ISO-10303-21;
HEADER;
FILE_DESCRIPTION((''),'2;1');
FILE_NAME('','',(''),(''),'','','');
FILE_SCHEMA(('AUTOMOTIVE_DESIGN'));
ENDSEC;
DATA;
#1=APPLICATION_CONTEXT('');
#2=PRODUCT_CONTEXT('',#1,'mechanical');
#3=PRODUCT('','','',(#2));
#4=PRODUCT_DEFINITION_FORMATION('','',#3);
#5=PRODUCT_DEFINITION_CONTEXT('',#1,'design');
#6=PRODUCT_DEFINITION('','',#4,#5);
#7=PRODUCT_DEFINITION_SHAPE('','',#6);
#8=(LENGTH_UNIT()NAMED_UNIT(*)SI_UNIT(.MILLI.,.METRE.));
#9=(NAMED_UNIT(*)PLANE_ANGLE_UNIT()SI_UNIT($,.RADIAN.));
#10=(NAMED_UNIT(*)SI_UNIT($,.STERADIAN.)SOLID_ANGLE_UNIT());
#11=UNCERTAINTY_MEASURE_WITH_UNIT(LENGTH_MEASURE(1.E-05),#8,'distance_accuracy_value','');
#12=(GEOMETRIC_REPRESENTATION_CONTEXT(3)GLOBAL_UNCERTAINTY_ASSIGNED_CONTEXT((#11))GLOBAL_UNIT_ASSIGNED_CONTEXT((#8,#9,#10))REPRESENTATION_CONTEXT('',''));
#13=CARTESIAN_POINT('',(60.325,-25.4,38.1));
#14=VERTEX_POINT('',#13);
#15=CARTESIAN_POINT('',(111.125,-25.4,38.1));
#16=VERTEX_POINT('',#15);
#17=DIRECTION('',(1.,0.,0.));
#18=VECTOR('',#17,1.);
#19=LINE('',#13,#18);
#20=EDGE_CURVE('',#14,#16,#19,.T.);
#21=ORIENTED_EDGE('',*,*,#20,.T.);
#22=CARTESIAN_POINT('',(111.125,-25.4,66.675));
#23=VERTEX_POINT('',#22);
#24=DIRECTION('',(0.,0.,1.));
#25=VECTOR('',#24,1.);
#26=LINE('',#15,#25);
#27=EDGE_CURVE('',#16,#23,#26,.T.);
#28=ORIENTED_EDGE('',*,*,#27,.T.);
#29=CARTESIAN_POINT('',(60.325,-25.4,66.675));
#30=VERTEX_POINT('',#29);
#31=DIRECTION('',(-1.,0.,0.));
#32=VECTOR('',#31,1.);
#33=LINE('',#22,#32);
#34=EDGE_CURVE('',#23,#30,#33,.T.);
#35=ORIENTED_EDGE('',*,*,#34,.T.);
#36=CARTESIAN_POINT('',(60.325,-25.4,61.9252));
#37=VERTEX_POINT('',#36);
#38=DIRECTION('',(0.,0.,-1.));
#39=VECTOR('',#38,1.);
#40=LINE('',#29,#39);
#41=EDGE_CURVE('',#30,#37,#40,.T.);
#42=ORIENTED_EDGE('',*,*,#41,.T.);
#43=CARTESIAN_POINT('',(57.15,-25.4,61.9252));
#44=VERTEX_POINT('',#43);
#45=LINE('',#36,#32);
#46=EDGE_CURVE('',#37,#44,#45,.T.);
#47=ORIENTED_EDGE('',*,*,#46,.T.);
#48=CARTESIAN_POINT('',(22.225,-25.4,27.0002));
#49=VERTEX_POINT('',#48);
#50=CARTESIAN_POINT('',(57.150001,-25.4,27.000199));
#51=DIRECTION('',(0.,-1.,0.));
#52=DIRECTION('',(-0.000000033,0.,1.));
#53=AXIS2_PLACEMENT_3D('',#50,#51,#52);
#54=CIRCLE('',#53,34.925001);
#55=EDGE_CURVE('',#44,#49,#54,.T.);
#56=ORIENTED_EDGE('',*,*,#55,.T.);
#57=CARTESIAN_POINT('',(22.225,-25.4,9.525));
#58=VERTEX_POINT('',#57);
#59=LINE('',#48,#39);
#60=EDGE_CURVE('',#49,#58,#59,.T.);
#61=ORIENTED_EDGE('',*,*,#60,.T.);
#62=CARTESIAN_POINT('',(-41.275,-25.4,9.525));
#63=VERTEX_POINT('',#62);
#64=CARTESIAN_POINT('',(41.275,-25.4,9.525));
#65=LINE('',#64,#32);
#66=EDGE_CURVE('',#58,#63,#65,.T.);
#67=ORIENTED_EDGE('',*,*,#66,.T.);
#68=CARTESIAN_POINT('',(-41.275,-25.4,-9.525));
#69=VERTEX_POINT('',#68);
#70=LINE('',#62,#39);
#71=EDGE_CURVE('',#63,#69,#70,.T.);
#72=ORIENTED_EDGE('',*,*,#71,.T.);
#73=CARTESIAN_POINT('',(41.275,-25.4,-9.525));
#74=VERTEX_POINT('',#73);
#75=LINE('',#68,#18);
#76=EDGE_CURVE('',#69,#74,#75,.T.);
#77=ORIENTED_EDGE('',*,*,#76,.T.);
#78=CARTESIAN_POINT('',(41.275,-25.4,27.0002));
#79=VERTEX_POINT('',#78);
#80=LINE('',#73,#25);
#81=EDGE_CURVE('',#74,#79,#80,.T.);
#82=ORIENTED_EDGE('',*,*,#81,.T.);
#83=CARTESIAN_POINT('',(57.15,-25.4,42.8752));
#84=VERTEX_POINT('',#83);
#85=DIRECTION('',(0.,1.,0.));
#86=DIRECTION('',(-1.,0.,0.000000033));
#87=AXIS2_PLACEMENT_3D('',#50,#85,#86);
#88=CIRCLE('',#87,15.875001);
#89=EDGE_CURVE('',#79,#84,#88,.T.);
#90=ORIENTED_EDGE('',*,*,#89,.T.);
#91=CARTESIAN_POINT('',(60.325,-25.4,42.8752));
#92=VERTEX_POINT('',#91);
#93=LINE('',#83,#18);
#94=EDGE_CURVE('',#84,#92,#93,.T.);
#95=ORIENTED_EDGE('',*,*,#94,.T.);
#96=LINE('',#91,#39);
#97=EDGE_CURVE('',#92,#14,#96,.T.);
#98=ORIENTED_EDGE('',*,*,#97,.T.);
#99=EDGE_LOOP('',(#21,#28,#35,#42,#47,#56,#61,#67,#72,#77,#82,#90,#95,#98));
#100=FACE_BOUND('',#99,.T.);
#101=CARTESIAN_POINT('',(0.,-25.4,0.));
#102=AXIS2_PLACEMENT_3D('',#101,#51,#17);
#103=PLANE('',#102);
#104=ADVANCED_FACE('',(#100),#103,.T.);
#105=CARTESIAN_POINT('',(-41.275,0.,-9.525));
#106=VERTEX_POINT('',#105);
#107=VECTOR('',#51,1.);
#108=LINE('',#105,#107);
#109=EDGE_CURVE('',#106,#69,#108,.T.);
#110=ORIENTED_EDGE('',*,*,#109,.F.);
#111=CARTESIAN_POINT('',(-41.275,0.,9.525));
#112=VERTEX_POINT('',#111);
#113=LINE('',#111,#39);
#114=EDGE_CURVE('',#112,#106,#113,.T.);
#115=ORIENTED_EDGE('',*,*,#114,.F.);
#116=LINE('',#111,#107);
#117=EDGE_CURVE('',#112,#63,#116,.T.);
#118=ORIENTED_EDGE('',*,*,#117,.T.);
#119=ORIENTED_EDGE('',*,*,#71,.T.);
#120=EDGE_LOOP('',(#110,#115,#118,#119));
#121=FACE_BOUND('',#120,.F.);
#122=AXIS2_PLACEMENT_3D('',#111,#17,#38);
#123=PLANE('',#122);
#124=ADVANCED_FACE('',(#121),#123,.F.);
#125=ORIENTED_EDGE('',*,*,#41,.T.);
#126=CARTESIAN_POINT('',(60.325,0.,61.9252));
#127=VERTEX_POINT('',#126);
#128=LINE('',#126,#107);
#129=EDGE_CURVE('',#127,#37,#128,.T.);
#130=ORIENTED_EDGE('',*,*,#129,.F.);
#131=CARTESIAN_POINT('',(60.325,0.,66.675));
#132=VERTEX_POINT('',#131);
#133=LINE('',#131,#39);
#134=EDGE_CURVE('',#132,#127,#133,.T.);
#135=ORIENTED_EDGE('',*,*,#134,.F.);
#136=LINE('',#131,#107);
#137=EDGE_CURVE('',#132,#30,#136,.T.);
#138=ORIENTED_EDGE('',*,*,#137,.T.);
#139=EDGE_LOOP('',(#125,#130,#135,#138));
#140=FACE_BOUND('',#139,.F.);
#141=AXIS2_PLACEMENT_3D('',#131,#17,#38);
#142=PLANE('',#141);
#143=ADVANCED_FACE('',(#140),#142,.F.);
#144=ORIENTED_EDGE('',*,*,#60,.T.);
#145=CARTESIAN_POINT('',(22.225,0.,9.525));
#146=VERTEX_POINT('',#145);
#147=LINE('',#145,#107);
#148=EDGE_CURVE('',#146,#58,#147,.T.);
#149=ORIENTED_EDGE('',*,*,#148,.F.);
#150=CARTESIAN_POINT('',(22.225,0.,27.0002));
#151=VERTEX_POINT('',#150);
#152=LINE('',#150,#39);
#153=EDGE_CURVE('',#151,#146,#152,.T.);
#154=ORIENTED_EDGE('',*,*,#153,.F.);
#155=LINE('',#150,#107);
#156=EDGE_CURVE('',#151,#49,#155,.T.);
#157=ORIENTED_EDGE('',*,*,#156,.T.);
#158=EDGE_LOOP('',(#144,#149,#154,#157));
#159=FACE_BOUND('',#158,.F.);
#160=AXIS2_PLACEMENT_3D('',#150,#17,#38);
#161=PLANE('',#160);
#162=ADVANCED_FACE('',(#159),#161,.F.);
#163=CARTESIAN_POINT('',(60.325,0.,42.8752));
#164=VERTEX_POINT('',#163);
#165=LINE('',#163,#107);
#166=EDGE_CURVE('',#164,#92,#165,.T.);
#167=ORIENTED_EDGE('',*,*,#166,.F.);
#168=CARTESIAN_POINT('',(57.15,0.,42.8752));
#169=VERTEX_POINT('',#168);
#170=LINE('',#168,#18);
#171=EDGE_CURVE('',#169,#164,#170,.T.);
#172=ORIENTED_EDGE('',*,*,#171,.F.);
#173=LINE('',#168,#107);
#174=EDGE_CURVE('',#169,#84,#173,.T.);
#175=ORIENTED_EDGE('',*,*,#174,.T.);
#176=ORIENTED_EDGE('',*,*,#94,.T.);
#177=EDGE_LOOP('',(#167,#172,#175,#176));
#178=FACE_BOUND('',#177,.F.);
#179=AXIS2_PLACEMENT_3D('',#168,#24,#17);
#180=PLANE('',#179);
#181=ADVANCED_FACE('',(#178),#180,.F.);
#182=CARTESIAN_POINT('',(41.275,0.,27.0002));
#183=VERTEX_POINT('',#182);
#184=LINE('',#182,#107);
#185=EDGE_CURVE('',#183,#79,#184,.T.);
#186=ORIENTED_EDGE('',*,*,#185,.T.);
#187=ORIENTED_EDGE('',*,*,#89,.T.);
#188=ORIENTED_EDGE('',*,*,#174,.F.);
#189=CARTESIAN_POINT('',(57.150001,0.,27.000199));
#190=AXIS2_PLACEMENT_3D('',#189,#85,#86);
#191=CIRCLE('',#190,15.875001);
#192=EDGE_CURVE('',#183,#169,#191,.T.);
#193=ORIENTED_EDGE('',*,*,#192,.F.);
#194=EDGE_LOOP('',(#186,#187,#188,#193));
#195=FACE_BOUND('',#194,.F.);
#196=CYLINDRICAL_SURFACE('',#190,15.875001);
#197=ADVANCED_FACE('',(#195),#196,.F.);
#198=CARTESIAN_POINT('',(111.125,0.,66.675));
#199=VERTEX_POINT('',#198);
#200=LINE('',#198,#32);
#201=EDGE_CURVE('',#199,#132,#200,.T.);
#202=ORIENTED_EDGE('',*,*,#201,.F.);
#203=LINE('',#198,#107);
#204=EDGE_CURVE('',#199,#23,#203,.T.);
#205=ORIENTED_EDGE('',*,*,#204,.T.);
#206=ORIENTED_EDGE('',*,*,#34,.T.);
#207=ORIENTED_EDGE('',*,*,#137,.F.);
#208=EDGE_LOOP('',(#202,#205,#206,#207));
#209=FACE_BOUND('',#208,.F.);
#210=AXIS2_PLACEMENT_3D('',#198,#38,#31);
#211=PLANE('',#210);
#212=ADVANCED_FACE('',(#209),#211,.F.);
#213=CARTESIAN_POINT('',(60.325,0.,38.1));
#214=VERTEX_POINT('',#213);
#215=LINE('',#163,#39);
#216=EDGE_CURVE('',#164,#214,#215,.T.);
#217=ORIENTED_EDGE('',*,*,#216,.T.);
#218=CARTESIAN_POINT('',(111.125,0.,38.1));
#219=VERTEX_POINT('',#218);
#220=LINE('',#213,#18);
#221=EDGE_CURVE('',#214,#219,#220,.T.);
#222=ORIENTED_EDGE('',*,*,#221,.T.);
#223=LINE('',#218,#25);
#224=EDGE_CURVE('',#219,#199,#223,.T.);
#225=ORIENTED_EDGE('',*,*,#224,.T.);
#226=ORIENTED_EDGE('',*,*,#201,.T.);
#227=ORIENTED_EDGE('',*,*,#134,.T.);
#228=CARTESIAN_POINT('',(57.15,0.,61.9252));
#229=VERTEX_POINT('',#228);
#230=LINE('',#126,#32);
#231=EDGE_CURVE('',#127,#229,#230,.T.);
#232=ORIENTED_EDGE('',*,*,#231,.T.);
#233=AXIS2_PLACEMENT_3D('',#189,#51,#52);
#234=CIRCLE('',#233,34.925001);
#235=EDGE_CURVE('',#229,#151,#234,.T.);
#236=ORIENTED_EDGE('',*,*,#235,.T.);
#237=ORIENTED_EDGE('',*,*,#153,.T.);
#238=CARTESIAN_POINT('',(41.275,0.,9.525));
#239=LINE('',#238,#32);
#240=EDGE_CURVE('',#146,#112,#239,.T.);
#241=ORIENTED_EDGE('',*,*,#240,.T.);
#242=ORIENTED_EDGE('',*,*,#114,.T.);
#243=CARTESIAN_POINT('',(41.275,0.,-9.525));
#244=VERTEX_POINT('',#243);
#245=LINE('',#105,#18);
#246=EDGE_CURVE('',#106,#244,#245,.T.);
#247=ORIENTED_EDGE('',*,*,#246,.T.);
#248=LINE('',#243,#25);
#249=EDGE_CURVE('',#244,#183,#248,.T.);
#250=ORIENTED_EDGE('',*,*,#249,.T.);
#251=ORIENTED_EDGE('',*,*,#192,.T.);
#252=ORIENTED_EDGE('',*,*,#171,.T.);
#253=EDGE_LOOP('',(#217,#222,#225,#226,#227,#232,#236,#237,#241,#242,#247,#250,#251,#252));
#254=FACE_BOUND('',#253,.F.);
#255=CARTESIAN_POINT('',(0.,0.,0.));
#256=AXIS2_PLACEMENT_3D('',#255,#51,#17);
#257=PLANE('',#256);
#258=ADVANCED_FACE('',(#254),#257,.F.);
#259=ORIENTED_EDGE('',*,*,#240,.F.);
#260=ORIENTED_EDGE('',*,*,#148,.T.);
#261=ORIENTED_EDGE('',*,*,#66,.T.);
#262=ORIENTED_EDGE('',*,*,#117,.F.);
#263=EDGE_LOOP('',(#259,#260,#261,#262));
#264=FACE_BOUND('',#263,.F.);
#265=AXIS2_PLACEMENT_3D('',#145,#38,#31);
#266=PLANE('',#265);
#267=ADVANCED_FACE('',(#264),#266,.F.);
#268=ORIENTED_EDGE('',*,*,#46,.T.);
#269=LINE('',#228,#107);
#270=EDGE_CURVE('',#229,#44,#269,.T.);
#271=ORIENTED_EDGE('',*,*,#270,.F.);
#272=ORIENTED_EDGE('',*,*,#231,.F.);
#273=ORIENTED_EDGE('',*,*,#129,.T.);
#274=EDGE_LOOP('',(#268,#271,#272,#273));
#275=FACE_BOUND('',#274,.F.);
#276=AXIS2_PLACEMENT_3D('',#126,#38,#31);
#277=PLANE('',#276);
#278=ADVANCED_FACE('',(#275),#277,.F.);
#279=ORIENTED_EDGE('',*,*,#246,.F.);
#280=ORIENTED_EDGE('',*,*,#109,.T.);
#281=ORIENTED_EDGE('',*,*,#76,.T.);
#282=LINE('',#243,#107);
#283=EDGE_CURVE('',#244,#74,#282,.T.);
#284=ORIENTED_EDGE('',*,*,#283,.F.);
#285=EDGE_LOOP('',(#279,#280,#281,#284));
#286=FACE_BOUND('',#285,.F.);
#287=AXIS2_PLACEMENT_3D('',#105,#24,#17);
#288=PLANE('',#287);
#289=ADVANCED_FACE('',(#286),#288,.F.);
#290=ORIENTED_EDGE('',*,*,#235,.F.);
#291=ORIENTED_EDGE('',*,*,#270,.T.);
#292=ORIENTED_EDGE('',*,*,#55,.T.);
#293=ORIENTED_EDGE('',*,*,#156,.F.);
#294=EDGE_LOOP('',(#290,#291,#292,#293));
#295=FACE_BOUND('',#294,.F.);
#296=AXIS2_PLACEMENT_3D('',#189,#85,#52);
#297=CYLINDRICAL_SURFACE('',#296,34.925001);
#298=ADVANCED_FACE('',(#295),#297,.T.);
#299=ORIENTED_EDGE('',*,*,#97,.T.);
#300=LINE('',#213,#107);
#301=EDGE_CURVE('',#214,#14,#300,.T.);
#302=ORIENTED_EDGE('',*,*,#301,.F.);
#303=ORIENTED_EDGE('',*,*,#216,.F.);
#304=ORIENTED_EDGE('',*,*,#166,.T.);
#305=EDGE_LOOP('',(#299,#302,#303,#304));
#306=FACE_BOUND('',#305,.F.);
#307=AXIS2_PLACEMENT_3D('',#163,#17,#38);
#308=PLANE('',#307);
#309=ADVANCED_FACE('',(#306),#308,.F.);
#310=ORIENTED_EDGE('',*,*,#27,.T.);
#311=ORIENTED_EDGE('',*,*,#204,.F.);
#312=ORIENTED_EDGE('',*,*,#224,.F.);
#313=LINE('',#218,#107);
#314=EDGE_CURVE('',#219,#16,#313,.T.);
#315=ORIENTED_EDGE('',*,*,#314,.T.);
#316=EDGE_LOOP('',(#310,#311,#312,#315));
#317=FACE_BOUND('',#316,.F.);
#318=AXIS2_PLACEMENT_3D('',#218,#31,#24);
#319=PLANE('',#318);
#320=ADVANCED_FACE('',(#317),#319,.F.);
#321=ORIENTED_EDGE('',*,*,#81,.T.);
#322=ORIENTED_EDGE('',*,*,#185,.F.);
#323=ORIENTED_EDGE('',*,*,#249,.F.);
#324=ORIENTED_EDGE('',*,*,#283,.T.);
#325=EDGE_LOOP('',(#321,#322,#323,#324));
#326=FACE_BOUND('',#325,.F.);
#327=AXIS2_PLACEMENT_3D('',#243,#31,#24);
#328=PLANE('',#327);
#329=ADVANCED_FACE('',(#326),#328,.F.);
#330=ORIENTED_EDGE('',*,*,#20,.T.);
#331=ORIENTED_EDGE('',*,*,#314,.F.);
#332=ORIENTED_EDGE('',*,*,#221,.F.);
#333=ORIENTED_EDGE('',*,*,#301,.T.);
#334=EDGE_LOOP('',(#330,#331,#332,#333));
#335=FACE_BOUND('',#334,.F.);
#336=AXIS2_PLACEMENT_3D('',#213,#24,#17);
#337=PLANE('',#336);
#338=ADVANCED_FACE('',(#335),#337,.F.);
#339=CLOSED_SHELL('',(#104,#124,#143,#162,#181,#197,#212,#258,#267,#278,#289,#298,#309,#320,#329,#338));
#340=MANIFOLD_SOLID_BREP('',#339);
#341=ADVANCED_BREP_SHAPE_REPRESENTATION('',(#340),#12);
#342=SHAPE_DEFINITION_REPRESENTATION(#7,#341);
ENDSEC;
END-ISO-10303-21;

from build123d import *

# Parameters (mm, degrees)
F1_DEPTH = 25.4


with BuildPart() as f1:
    # F0 (on Front) → F1 (new body)
    with BuildSketch(Plane.XZ):
        Polygon((-41.275, -9.525), (41.275, -9.525), (41.275, 9.525), (22.225, 9.525), (-41.275, 9.525), align=None)
        with BuildLine():
            Line((22.225, 9.525), (41.275, 9.525))
            Line((41.275, 9.525), (41.275, 27.0002))
            ThreePointArc((41.275, 27.0002), (45.92468, 38.22552), (57.15, 42.8752))
            Line((57.15, 42.8752), (60.325, 42.8752))
            Line((60.325, 42.8752), (60.325, 61.9252))
            Line((60.325, 61.9252), (57.15, 61.9252))
            ThreePointArc((57.15, 61.9252), (32.454296, 51.695904), (22.225, 27.0002))
            Line((22.225, 27.0002), (22.225, 9.525))
        make_face()
        Polygon((60.325, 61.9252), (60.325, 42.8752), (60.325, 38.1), (111.125, 38.1), (111.125, 66.675), (60.325, 66.675), align=None)
    extrude(amount=F1_DEPTH)


solid = f1.part
